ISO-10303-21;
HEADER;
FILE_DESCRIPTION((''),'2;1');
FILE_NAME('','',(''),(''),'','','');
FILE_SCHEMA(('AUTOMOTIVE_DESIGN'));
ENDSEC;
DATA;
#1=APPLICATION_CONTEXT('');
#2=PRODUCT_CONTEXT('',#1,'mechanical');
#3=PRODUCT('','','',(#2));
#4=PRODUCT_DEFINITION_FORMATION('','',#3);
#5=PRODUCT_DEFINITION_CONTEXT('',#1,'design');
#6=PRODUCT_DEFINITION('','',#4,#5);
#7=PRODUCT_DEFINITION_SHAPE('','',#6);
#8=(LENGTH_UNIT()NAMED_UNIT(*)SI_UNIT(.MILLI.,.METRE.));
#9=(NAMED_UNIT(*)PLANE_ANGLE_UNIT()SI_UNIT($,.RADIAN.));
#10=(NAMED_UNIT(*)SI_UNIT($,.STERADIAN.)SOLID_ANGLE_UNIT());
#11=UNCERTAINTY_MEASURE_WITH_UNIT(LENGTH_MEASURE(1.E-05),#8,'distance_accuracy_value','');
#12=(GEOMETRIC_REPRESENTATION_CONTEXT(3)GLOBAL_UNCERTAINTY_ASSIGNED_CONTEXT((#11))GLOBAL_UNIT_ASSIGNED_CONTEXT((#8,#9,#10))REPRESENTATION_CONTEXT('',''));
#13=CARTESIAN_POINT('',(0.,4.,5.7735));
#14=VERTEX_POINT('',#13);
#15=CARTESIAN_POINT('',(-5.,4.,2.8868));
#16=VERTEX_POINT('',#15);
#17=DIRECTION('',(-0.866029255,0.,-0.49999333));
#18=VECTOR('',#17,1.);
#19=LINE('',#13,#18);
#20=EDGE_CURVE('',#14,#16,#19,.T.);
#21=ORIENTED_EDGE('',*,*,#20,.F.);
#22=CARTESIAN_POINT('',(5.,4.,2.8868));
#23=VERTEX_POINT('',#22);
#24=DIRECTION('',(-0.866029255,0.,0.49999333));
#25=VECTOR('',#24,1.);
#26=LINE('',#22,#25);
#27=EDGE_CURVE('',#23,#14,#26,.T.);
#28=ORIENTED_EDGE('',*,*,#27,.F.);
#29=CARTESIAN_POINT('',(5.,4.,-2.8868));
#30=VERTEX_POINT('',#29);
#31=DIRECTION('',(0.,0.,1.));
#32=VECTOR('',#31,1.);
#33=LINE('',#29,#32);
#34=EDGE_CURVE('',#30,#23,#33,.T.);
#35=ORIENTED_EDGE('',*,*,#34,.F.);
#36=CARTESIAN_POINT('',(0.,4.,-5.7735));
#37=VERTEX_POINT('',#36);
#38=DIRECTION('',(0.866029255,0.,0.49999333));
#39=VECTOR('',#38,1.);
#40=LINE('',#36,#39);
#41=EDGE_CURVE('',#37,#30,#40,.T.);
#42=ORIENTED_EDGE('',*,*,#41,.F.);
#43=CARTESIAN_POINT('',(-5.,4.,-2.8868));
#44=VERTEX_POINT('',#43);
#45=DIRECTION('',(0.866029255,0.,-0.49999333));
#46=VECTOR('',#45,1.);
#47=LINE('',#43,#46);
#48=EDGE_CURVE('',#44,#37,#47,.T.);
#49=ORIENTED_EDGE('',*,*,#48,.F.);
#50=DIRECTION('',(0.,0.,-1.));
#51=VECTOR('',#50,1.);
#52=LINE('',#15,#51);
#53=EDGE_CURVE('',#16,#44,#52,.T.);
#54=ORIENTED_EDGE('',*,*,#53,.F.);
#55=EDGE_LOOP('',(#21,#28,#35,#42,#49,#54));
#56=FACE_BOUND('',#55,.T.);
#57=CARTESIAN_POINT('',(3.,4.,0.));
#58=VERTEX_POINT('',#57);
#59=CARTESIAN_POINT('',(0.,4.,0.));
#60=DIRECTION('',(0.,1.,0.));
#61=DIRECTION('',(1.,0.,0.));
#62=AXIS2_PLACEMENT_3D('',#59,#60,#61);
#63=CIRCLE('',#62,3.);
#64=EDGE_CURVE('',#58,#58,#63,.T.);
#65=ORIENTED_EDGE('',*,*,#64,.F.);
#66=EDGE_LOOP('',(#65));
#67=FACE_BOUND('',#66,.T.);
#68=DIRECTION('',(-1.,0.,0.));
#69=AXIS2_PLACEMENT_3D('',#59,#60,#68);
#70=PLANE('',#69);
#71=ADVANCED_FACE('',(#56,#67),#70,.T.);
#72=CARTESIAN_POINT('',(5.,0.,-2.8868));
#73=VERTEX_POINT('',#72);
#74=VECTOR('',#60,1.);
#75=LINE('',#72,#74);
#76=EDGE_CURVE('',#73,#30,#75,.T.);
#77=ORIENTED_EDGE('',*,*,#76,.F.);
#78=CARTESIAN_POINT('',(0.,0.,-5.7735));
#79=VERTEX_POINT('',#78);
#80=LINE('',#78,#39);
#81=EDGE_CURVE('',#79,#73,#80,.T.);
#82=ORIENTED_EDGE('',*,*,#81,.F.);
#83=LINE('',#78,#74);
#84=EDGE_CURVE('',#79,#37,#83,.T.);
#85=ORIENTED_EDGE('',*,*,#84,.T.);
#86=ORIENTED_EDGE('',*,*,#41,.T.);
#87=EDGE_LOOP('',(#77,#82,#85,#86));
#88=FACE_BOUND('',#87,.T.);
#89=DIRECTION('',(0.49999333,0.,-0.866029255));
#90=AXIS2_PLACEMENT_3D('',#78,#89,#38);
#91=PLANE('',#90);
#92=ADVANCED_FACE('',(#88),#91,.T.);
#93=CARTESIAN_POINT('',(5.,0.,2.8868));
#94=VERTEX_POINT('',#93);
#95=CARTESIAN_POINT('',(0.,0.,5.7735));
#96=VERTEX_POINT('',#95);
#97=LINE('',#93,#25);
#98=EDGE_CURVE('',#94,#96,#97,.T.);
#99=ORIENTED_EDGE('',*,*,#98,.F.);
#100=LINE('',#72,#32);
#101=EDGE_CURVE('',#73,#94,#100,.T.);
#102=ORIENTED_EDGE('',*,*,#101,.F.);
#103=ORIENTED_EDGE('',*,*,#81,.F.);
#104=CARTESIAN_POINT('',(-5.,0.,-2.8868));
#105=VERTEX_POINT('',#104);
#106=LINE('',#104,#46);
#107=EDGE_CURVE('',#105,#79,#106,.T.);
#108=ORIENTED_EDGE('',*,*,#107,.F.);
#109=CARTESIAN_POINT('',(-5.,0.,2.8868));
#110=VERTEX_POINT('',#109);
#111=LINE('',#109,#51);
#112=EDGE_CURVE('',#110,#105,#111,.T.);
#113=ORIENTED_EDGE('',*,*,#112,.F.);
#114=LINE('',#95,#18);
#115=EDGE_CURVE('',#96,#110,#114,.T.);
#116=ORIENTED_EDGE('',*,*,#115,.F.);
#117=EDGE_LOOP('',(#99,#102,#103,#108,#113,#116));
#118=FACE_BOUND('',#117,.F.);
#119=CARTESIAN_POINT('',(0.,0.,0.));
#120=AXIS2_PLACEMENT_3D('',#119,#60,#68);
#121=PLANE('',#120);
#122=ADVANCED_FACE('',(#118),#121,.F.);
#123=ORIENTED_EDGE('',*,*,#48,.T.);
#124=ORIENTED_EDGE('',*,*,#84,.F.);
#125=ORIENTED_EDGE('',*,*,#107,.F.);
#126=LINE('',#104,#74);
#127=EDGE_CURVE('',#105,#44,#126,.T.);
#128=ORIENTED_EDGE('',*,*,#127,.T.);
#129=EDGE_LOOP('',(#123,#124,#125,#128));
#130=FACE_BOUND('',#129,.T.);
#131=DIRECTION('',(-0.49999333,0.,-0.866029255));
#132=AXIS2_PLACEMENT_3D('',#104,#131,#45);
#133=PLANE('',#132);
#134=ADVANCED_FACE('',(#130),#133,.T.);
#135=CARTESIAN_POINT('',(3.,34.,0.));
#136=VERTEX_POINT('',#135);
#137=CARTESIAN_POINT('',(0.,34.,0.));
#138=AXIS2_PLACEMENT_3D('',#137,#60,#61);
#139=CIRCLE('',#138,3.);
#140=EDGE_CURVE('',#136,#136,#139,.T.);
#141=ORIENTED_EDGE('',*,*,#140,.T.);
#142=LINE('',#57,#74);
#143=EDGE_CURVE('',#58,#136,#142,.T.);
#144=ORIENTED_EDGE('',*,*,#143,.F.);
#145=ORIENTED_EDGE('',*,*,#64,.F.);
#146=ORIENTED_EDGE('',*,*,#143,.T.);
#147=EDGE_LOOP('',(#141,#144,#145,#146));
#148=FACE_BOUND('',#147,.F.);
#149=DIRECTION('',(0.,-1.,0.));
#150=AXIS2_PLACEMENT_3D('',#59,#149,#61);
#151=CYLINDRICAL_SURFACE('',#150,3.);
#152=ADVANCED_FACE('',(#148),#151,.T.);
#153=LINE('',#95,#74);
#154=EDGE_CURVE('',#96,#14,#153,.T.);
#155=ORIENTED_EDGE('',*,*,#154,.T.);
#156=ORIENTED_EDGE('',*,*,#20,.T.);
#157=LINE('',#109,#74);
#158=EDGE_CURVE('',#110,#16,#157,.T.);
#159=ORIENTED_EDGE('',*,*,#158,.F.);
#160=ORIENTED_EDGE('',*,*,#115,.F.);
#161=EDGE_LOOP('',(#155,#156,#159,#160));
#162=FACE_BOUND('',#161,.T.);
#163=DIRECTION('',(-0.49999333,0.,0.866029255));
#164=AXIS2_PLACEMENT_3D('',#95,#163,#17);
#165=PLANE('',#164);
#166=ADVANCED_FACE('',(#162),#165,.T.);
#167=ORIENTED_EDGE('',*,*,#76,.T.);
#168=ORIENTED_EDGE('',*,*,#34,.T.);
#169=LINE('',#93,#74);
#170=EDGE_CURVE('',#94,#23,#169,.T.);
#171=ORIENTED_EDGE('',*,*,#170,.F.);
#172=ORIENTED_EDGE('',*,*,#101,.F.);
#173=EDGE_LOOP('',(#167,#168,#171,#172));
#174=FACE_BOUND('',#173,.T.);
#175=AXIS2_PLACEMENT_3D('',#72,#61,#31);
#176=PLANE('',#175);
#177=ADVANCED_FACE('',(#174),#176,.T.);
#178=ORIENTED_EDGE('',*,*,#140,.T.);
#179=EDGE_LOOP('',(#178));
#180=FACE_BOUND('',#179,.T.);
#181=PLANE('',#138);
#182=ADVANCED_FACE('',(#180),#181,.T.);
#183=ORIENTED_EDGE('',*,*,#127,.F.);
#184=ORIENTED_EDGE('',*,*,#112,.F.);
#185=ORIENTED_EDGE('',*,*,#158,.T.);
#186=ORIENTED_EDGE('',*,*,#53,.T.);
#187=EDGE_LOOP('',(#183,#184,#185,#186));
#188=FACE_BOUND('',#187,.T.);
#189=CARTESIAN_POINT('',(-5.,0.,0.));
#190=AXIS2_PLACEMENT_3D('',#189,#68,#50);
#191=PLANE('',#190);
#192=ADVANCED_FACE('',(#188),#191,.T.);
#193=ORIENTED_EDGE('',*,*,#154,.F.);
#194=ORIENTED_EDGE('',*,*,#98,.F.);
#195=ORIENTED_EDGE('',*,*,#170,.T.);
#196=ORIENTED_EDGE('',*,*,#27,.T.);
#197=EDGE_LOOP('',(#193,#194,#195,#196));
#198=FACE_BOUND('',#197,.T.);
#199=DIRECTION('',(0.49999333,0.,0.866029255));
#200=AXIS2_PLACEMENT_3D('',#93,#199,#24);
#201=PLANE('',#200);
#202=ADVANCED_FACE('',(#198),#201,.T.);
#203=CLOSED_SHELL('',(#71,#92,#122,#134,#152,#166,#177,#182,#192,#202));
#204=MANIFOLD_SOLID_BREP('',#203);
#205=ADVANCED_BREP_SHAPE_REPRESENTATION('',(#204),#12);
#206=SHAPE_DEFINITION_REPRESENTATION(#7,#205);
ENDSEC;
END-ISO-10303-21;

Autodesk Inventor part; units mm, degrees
ref_plane "YZ Plane" through (0, 0, 0) normal (1, 0, 0) x (0, 1, 0)
ref_plane "XZ Plane" through (0, 0, 0) normal (0, 1, 0) x (-1, 0, 0)
ref_plane "XY Plane" through (0, 0, 0) normal (0, 0, 1) x (1, 0, 0)
sketch "Schizzo1" plane through (0, 0, 0) normal (0, 1, 0) x (-1, 0, 0)
  circle A0 centre (0, 0) radius 5
  line L0 (5, -2.8868) -> (0, -5.7735)
  line L1 (0, -5.7735) -> (-5, -2.8868)
  line L2 (-5, -2.8868) -> (-5, 2.8868)
  line L3 (-5, 2.8868) -> (0, 5.7735)
  line L4 (0, 5.7735) -> (5, 2.8868)
  line L5 (5, 2.8868) -> (5, -2.8868)
  point P0 (5, 0)
  dimension "d0" = 10
extrude "Estrusione1" add sketch "Schizzo1" along normal blind 4
sketch "Schizzo2" plane through (0, 4, 0) normal (0, 1, 0) x (1, 0, 0)
  circle A0 centre (0, 0) radius 3
  dimension "d3" = 6
extrude "Estrusione2" add sketch "Schizzo2" along normal blind 30
thread "Filettatura1" size "M6x1" class "6g" standard "ANSI Metric M Profile" length 100
properties part number "27_Vite_M6_30_Testa_Esagonale" material "Acciaio inox AISI 316"
